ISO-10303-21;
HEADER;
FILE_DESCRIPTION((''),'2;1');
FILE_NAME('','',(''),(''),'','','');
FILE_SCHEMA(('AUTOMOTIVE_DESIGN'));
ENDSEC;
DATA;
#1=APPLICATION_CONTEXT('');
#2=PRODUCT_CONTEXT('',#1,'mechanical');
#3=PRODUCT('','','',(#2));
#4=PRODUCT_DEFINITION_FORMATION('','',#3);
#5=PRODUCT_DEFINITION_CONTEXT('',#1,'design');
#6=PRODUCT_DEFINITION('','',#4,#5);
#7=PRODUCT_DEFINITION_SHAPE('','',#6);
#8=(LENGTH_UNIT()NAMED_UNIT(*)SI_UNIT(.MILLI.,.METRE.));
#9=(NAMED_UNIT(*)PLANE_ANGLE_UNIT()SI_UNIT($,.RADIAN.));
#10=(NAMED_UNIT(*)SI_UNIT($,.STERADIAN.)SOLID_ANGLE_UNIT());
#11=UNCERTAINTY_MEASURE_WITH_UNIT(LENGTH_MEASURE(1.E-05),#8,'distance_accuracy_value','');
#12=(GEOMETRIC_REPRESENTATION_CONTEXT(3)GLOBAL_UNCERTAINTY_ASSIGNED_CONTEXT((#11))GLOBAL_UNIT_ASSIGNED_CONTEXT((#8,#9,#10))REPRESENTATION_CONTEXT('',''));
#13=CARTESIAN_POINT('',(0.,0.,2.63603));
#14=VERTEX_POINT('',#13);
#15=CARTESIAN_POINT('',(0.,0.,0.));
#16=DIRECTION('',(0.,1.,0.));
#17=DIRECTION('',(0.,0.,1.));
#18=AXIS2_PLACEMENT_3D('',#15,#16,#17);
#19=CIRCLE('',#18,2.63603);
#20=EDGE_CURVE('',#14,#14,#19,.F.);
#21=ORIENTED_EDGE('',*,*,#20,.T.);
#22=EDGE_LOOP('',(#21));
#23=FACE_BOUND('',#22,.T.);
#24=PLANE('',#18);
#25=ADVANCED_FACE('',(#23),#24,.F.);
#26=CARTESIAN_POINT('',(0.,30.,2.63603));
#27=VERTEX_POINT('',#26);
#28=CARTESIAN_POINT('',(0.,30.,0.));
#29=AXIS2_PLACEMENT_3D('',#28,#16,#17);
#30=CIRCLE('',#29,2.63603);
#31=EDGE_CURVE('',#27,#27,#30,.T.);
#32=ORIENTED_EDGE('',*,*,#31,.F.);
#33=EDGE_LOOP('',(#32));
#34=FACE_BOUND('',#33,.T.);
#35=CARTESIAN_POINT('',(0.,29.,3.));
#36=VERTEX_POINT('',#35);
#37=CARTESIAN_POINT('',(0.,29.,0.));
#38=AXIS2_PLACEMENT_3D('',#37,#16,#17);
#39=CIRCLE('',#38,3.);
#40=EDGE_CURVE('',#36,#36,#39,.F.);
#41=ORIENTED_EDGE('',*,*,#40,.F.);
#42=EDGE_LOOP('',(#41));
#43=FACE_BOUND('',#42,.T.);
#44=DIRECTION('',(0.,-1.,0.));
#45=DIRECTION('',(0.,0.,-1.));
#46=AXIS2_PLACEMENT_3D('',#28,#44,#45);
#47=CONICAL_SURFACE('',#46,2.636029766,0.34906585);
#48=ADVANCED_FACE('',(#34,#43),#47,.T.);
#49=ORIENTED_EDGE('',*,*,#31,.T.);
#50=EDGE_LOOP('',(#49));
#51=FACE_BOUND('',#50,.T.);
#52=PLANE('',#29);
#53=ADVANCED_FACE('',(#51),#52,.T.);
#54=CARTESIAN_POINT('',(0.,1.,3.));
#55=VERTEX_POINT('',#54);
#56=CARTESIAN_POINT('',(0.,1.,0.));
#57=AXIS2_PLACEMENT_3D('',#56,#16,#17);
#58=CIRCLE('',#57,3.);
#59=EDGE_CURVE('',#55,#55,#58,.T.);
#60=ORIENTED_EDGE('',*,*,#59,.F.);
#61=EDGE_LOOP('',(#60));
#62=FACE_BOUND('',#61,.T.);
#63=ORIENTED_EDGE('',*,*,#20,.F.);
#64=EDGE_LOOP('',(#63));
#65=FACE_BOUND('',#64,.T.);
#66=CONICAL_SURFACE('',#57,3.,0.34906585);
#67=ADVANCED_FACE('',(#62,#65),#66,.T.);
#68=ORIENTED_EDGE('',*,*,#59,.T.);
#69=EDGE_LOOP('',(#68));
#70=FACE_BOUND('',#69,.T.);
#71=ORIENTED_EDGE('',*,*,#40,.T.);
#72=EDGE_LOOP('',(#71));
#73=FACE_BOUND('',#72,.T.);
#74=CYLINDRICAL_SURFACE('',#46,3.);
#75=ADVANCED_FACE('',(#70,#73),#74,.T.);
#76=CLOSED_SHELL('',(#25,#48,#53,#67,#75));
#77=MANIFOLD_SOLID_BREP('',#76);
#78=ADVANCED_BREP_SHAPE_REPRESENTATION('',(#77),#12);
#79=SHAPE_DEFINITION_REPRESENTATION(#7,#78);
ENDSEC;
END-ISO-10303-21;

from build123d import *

# Parameters (mm, degrees)
SKETCH1_R           = 3
BOSS_EXTRUDE1_DEPTH = 30
CHAMFER1_SIZE       = 1
CHAMFER1_SIZE2      = 0.363970234
CHAMFER2_SIZE       = 1
CHAMFER2_SIZE2      = 0.363970234


with BuildPart() as part:
    # Sketch1 → Boss-Extrude1 (new body)
    with BuildSketch(Plane(origin=(0, 0, 0), x_dir=(1, 0, 0), z_dir=(0, 1, 0))):
        Circle(SKETCH1_R)
    extrude(amount=BOSS_EXTRUDE1_DEPTH)

    # Chamfer1
    chamfer1_edges = [part.edges().sort_by_distance(p)[0] for p in [
        (-3, 30, 0),
    ]]
    chamfer1_side = [part.faces().sort_by_distance(p)[0] for p in [
        (-3, 15, 0),
    ]]
    chamfer(chamfer1_edges, length=CHAMFER1_SIZE, length2=CHAMFER1_SIZE2, reference=chamfer1_side[0])

    # Chamfer2
    chamfer2_edges = [part.edges().sort_by_distance(p)[0] for p in [
        (-3, 0, 0),
    ]]
    chamfer2_side = [part.faces().sort_by_distance(p)[0] for p in [
        (-3, 14.5, 0),
    ]]
    chamfer(chamfer2_edges, length=CHAMFER2_SIZE, length2=CHAMFER2_SIZE2, reference=chamfer2_side[0])


solid = part.part
